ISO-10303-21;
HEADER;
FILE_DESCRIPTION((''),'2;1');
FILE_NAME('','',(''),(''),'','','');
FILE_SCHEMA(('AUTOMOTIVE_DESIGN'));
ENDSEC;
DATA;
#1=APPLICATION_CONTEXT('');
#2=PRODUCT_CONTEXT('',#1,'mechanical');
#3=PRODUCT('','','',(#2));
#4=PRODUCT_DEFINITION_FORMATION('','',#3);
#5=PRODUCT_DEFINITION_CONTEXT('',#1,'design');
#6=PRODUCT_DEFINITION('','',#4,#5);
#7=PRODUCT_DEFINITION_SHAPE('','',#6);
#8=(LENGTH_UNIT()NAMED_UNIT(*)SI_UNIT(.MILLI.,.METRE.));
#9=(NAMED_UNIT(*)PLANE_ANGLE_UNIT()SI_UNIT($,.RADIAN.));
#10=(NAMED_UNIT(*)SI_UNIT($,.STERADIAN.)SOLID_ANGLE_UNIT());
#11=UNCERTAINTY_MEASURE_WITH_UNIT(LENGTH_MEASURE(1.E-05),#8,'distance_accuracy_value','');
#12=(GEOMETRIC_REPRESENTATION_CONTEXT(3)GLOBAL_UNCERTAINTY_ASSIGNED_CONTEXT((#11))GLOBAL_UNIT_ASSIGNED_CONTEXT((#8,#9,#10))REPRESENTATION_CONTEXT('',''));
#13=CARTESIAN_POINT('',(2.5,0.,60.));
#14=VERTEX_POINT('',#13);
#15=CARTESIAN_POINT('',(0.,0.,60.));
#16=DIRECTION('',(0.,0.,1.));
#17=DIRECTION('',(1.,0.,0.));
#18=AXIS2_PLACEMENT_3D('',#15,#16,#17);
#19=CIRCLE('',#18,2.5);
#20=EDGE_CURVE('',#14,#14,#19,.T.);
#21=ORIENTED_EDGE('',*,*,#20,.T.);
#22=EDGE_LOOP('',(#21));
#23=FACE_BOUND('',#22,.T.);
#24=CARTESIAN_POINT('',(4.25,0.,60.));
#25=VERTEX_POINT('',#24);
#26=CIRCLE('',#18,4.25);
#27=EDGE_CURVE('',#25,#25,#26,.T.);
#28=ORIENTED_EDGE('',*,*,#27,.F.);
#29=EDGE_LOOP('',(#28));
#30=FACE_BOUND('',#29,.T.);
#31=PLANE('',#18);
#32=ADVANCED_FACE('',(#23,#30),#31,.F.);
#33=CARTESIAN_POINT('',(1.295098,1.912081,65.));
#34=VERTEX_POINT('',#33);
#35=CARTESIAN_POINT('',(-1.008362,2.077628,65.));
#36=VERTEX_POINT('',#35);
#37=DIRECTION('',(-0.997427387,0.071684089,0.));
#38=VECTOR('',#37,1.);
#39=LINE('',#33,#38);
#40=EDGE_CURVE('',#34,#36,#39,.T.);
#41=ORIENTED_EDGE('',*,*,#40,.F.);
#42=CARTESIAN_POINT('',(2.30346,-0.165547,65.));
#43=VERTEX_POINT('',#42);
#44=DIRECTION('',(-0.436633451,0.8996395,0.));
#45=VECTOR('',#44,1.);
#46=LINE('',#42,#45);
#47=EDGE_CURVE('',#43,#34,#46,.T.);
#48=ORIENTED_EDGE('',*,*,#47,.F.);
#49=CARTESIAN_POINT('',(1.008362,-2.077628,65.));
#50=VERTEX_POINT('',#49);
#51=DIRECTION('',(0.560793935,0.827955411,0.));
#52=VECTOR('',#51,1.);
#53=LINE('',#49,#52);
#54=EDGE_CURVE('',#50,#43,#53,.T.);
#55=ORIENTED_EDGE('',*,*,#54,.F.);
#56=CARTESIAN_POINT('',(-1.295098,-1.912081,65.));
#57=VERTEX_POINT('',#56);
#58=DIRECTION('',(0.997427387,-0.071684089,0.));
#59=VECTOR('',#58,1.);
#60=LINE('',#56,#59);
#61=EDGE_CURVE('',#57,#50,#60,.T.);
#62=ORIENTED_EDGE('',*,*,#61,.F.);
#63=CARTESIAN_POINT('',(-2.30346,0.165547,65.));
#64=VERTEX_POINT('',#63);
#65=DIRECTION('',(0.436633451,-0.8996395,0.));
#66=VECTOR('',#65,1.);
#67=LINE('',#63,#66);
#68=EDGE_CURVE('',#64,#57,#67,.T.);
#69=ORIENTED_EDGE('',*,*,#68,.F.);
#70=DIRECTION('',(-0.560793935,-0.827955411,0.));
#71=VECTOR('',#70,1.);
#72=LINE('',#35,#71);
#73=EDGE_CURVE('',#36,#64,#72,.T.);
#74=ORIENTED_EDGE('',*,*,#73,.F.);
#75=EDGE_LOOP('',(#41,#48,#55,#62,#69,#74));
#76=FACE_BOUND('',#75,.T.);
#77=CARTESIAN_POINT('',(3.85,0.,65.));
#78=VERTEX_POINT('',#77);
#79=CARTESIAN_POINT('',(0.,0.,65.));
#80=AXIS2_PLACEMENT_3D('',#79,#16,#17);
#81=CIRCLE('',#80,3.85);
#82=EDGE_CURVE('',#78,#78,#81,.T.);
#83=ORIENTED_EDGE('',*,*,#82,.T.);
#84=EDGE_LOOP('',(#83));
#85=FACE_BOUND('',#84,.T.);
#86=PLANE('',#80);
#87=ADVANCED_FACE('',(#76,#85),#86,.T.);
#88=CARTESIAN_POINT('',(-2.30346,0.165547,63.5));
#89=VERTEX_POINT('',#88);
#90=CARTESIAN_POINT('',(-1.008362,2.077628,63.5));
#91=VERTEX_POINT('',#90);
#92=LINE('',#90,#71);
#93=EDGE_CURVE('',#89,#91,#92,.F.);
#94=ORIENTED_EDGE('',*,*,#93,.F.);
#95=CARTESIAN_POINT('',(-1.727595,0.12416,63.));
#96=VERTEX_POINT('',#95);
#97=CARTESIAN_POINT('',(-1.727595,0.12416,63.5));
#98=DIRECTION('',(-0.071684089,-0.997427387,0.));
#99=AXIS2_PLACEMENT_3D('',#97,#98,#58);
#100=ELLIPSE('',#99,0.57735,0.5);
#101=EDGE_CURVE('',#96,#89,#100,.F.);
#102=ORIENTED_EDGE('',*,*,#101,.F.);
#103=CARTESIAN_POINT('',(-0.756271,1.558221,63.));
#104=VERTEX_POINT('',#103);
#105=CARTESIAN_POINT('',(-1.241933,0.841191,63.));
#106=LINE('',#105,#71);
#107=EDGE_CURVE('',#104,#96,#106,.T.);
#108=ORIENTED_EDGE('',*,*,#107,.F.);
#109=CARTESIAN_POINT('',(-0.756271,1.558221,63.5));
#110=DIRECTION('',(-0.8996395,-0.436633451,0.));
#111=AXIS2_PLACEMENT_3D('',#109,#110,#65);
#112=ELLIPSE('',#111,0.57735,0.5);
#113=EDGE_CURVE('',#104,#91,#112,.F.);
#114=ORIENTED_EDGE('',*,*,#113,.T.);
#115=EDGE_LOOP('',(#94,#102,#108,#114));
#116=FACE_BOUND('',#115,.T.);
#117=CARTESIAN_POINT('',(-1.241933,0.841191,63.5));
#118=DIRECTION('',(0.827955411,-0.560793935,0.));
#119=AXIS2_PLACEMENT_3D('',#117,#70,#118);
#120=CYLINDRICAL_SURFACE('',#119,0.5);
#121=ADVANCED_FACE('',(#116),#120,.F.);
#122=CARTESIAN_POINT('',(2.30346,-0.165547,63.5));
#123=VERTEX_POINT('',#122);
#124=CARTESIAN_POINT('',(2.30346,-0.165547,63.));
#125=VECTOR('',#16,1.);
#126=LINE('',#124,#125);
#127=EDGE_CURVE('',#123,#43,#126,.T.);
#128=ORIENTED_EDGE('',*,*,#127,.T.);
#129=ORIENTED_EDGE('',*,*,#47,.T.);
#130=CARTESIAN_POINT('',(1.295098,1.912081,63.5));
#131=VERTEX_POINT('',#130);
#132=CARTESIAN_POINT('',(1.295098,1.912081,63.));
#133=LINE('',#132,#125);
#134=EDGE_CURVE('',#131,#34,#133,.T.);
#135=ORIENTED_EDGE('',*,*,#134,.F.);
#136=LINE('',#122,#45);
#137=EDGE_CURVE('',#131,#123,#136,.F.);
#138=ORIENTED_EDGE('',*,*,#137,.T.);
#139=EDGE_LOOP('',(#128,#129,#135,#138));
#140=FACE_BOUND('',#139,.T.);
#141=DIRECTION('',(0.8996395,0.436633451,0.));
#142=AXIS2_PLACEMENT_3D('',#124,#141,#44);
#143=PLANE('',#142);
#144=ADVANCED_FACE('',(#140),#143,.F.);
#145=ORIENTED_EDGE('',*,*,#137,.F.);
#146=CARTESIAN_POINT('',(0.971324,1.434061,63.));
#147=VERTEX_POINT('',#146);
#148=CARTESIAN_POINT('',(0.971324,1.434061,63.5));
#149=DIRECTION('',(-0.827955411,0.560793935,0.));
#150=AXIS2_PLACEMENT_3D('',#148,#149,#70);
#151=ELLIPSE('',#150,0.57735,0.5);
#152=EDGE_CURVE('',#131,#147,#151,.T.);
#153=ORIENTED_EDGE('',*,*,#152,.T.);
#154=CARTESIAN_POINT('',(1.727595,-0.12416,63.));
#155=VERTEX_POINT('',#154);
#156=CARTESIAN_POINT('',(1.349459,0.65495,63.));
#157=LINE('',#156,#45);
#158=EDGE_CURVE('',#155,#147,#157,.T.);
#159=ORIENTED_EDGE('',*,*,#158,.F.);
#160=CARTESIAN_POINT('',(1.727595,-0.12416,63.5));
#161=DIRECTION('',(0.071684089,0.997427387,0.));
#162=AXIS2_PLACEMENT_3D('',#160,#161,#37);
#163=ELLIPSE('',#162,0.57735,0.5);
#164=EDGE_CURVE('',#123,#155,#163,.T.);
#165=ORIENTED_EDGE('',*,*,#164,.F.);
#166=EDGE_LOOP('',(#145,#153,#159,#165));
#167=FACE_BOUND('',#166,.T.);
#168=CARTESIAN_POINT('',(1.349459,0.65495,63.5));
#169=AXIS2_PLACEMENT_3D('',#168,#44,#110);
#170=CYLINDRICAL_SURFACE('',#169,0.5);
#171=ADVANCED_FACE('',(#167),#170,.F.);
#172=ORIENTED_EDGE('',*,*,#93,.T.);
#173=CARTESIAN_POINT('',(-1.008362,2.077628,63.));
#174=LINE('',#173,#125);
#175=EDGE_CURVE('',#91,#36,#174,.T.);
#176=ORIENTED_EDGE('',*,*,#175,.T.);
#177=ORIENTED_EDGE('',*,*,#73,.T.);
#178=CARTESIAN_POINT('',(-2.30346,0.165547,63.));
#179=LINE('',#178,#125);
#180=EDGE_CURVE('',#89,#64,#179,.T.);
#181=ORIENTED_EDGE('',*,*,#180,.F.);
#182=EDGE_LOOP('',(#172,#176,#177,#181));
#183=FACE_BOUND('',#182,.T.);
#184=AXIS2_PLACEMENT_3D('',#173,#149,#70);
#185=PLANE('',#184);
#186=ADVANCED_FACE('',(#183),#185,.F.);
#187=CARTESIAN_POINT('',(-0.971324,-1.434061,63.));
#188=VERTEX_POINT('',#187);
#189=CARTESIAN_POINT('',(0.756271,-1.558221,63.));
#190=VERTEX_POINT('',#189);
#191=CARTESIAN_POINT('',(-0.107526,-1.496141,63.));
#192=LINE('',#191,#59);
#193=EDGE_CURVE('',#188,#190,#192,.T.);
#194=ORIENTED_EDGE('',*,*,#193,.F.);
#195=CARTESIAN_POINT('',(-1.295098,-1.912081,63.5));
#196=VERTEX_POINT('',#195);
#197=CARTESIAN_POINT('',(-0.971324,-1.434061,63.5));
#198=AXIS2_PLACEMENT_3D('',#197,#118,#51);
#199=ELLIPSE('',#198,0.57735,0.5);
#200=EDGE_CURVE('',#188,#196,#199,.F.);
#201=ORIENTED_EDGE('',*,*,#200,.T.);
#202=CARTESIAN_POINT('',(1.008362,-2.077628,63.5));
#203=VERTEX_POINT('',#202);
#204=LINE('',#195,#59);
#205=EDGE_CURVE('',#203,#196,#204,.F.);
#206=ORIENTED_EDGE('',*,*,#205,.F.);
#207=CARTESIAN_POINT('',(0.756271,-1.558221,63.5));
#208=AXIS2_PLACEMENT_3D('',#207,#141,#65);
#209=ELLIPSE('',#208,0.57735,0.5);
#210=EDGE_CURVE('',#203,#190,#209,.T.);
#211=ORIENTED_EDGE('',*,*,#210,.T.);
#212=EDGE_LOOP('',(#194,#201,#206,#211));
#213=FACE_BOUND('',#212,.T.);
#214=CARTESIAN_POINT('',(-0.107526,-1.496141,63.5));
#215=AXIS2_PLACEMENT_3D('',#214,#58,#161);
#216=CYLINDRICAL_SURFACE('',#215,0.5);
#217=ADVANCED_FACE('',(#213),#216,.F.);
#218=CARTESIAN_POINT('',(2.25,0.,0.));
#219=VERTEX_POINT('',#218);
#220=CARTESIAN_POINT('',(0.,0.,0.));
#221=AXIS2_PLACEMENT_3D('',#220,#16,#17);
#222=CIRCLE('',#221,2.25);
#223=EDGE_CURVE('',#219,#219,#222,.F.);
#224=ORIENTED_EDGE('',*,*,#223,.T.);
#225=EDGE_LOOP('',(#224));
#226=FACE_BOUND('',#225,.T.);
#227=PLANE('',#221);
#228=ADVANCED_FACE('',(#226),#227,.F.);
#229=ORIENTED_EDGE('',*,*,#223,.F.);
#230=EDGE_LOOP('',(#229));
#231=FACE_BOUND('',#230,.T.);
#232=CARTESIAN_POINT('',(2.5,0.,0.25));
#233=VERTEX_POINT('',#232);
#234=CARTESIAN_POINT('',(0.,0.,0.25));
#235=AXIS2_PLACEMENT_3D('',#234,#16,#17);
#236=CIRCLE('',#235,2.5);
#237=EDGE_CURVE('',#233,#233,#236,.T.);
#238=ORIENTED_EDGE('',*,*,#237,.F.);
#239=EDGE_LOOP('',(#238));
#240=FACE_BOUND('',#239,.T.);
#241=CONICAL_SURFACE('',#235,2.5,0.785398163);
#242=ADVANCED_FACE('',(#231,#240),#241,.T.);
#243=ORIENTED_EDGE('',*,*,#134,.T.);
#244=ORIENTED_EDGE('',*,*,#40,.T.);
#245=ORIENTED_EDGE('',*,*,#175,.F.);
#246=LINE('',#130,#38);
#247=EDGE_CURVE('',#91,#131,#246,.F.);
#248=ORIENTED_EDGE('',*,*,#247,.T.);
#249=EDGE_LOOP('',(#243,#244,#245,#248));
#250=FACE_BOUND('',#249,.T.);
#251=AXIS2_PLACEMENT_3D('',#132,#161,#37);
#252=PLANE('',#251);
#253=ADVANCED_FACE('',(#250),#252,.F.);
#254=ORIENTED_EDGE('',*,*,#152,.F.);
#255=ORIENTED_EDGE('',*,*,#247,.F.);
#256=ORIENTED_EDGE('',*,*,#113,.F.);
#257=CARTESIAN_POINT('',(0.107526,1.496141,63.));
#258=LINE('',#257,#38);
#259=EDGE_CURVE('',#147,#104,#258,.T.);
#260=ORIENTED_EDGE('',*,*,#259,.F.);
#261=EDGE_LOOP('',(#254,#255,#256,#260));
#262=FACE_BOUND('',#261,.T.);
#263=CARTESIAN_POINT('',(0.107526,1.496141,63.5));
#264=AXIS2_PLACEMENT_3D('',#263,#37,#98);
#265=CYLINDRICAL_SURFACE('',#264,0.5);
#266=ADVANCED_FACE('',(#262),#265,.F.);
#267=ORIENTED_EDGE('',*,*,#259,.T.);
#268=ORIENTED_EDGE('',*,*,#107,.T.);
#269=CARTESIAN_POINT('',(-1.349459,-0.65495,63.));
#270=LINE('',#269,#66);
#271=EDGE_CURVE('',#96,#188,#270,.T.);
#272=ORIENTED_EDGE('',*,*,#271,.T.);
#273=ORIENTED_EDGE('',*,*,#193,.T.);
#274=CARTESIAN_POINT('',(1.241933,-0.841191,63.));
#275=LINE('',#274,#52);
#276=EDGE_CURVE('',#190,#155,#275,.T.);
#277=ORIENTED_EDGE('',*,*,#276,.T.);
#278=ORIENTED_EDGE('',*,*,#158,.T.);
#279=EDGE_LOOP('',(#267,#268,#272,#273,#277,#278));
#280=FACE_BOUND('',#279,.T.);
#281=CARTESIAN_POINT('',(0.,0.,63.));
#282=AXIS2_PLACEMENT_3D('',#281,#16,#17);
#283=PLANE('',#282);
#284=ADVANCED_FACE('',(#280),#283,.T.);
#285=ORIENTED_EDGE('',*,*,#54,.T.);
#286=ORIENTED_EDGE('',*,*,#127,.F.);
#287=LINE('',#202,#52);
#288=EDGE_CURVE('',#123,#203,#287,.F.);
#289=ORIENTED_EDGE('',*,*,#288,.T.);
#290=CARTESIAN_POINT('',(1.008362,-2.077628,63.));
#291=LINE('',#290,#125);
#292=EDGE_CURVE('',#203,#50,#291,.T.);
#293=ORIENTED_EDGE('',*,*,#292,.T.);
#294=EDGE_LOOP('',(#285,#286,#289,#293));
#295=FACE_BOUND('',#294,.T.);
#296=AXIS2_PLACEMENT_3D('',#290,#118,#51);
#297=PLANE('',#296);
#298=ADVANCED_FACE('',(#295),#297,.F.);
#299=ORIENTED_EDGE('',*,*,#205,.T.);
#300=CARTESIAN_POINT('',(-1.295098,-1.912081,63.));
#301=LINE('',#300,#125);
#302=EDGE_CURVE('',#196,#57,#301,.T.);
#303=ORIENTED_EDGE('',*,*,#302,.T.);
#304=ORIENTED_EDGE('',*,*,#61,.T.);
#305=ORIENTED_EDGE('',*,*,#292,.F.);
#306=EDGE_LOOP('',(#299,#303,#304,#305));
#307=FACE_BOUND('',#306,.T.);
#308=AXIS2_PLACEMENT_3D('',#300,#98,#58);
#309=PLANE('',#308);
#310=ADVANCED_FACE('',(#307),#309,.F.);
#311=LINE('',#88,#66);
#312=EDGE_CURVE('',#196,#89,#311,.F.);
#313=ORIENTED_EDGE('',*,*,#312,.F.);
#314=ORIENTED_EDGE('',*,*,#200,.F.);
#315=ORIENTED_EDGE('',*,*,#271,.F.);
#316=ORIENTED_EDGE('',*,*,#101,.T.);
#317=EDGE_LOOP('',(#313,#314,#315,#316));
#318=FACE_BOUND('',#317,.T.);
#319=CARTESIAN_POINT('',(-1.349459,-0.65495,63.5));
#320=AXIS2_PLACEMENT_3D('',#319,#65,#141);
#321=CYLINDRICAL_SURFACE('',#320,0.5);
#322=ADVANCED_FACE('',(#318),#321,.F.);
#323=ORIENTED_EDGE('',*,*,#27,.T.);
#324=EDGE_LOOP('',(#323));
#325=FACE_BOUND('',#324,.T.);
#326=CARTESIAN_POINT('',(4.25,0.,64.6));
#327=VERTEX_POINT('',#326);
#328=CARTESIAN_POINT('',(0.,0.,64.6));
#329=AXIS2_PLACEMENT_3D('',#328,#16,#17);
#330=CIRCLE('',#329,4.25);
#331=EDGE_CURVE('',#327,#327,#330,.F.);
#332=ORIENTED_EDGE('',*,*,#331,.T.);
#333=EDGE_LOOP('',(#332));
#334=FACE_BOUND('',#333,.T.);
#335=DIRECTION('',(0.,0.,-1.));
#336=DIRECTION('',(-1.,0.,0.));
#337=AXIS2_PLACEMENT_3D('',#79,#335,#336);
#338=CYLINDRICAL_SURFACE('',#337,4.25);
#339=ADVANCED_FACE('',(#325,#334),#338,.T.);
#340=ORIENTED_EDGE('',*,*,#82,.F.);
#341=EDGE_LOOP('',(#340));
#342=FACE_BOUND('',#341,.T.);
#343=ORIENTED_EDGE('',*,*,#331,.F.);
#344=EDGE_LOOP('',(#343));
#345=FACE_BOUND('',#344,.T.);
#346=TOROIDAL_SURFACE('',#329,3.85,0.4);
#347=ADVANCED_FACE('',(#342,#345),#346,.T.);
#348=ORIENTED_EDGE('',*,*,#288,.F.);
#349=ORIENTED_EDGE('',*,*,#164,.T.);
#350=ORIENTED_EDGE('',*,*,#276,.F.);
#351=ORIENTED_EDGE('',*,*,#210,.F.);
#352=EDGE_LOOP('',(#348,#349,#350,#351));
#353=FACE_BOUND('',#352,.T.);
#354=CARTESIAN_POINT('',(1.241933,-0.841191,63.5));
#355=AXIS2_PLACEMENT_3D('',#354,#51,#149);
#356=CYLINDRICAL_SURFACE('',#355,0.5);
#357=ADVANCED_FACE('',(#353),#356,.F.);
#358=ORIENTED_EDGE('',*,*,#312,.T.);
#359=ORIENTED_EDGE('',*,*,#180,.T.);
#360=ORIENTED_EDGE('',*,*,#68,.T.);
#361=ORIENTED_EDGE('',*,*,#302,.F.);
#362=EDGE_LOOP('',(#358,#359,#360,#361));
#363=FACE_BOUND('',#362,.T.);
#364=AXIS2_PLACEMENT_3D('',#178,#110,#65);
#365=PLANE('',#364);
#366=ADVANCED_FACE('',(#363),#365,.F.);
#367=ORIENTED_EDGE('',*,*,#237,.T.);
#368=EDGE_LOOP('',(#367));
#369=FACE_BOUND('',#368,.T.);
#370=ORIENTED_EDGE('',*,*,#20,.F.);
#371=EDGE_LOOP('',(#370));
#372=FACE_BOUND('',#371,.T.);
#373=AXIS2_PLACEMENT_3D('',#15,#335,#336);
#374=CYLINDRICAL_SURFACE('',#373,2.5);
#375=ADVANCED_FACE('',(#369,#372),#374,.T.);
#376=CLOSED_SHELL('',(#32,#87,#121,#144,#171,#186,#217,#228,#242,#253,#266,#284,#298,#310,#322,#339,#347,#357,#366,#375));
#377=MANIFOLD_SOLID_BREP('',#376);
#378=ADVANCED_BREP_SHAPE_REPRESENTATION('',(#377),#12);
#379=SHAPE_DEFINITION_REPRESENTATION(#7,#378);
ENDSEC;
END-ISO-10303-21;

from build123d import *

# Parameters (mm, degrees)
SKETCH1_R           = 2.5
BOSS_EXTRUDE1_DEPTH = 60
SKETCH2_R           = 4.25
BOSS_EXTRUDE2_DEPTH = 5
CUT_EXTRUDE1_DEPTH  = 2
FILLET1_R           = 0.4
CHAMFER1_SIZE       = 0.25
FILLET2_R           = 0.5


with BuildPart() as part:
    # Sketch1 → Boss-Extrude1 (new body)
    with BuildSketch(Plane.XY):
        Circle(SKETCH1_R)
    extrude(amount=BOSS_EXTRUDE1_DEPTH)

    # Sketch2 → Boss-Extrude2 (add)
    with BuildSketch(Plane.XY.offset(60)):
        Circle(SKETCH2_R)
    extrude(amount=BOSS_EXTRUDE2_DEPTH)

    # Sketch3 → Cut-Extrude1 (cut)
    with BuildSketch(Plane.XY.offset(65)):
        Polygon((2.30345988, -0.165547312), (1.295098118, 1.912081117), (-1.008361763, 2.077628429), (-2.30345988, 0.165547312), (-1.295098118, -1.912081117), (1.008361763, -2.077628429), align=None)
    extrude(amount=-CUT_EXTRUDE1_DEPTH, mode=Mode.SUBTRACT)

    # Fillet1
    fillet1_edges = [part.edges().sort_by_distance(p)[0] for p in [
        (-4.25, 0, 65),
    ]]
    fillet(fillet1_edges, radius=FILLET1_R)

    # Chamfer1
    chamfer1_edges = [part.edges().sort_by_distance(p)[0] for p in [
        (-2.5, 0, 0),
    ]]
    chamfer(chamfer1_edges, length=CHAMFER1_SIZE)

    # Fillet2
    fillet2_edges = [part.edges().sort_by_distance(p)[0] for p in [
        (1.655910822, -1.12158787, 63),
        (-0.143368178, -1.994854773, 63),
        (-1.799278999, -0.873266903, 63),
        (-1.655910822, 1.12158787, 63),
        (0.143368178, 1.994854773, 63),
        (1.799278999, 0.873266903, 63),
    ]]
    fillet(fillet2_edges, radius=FILLET2_R)


solid = part.part
